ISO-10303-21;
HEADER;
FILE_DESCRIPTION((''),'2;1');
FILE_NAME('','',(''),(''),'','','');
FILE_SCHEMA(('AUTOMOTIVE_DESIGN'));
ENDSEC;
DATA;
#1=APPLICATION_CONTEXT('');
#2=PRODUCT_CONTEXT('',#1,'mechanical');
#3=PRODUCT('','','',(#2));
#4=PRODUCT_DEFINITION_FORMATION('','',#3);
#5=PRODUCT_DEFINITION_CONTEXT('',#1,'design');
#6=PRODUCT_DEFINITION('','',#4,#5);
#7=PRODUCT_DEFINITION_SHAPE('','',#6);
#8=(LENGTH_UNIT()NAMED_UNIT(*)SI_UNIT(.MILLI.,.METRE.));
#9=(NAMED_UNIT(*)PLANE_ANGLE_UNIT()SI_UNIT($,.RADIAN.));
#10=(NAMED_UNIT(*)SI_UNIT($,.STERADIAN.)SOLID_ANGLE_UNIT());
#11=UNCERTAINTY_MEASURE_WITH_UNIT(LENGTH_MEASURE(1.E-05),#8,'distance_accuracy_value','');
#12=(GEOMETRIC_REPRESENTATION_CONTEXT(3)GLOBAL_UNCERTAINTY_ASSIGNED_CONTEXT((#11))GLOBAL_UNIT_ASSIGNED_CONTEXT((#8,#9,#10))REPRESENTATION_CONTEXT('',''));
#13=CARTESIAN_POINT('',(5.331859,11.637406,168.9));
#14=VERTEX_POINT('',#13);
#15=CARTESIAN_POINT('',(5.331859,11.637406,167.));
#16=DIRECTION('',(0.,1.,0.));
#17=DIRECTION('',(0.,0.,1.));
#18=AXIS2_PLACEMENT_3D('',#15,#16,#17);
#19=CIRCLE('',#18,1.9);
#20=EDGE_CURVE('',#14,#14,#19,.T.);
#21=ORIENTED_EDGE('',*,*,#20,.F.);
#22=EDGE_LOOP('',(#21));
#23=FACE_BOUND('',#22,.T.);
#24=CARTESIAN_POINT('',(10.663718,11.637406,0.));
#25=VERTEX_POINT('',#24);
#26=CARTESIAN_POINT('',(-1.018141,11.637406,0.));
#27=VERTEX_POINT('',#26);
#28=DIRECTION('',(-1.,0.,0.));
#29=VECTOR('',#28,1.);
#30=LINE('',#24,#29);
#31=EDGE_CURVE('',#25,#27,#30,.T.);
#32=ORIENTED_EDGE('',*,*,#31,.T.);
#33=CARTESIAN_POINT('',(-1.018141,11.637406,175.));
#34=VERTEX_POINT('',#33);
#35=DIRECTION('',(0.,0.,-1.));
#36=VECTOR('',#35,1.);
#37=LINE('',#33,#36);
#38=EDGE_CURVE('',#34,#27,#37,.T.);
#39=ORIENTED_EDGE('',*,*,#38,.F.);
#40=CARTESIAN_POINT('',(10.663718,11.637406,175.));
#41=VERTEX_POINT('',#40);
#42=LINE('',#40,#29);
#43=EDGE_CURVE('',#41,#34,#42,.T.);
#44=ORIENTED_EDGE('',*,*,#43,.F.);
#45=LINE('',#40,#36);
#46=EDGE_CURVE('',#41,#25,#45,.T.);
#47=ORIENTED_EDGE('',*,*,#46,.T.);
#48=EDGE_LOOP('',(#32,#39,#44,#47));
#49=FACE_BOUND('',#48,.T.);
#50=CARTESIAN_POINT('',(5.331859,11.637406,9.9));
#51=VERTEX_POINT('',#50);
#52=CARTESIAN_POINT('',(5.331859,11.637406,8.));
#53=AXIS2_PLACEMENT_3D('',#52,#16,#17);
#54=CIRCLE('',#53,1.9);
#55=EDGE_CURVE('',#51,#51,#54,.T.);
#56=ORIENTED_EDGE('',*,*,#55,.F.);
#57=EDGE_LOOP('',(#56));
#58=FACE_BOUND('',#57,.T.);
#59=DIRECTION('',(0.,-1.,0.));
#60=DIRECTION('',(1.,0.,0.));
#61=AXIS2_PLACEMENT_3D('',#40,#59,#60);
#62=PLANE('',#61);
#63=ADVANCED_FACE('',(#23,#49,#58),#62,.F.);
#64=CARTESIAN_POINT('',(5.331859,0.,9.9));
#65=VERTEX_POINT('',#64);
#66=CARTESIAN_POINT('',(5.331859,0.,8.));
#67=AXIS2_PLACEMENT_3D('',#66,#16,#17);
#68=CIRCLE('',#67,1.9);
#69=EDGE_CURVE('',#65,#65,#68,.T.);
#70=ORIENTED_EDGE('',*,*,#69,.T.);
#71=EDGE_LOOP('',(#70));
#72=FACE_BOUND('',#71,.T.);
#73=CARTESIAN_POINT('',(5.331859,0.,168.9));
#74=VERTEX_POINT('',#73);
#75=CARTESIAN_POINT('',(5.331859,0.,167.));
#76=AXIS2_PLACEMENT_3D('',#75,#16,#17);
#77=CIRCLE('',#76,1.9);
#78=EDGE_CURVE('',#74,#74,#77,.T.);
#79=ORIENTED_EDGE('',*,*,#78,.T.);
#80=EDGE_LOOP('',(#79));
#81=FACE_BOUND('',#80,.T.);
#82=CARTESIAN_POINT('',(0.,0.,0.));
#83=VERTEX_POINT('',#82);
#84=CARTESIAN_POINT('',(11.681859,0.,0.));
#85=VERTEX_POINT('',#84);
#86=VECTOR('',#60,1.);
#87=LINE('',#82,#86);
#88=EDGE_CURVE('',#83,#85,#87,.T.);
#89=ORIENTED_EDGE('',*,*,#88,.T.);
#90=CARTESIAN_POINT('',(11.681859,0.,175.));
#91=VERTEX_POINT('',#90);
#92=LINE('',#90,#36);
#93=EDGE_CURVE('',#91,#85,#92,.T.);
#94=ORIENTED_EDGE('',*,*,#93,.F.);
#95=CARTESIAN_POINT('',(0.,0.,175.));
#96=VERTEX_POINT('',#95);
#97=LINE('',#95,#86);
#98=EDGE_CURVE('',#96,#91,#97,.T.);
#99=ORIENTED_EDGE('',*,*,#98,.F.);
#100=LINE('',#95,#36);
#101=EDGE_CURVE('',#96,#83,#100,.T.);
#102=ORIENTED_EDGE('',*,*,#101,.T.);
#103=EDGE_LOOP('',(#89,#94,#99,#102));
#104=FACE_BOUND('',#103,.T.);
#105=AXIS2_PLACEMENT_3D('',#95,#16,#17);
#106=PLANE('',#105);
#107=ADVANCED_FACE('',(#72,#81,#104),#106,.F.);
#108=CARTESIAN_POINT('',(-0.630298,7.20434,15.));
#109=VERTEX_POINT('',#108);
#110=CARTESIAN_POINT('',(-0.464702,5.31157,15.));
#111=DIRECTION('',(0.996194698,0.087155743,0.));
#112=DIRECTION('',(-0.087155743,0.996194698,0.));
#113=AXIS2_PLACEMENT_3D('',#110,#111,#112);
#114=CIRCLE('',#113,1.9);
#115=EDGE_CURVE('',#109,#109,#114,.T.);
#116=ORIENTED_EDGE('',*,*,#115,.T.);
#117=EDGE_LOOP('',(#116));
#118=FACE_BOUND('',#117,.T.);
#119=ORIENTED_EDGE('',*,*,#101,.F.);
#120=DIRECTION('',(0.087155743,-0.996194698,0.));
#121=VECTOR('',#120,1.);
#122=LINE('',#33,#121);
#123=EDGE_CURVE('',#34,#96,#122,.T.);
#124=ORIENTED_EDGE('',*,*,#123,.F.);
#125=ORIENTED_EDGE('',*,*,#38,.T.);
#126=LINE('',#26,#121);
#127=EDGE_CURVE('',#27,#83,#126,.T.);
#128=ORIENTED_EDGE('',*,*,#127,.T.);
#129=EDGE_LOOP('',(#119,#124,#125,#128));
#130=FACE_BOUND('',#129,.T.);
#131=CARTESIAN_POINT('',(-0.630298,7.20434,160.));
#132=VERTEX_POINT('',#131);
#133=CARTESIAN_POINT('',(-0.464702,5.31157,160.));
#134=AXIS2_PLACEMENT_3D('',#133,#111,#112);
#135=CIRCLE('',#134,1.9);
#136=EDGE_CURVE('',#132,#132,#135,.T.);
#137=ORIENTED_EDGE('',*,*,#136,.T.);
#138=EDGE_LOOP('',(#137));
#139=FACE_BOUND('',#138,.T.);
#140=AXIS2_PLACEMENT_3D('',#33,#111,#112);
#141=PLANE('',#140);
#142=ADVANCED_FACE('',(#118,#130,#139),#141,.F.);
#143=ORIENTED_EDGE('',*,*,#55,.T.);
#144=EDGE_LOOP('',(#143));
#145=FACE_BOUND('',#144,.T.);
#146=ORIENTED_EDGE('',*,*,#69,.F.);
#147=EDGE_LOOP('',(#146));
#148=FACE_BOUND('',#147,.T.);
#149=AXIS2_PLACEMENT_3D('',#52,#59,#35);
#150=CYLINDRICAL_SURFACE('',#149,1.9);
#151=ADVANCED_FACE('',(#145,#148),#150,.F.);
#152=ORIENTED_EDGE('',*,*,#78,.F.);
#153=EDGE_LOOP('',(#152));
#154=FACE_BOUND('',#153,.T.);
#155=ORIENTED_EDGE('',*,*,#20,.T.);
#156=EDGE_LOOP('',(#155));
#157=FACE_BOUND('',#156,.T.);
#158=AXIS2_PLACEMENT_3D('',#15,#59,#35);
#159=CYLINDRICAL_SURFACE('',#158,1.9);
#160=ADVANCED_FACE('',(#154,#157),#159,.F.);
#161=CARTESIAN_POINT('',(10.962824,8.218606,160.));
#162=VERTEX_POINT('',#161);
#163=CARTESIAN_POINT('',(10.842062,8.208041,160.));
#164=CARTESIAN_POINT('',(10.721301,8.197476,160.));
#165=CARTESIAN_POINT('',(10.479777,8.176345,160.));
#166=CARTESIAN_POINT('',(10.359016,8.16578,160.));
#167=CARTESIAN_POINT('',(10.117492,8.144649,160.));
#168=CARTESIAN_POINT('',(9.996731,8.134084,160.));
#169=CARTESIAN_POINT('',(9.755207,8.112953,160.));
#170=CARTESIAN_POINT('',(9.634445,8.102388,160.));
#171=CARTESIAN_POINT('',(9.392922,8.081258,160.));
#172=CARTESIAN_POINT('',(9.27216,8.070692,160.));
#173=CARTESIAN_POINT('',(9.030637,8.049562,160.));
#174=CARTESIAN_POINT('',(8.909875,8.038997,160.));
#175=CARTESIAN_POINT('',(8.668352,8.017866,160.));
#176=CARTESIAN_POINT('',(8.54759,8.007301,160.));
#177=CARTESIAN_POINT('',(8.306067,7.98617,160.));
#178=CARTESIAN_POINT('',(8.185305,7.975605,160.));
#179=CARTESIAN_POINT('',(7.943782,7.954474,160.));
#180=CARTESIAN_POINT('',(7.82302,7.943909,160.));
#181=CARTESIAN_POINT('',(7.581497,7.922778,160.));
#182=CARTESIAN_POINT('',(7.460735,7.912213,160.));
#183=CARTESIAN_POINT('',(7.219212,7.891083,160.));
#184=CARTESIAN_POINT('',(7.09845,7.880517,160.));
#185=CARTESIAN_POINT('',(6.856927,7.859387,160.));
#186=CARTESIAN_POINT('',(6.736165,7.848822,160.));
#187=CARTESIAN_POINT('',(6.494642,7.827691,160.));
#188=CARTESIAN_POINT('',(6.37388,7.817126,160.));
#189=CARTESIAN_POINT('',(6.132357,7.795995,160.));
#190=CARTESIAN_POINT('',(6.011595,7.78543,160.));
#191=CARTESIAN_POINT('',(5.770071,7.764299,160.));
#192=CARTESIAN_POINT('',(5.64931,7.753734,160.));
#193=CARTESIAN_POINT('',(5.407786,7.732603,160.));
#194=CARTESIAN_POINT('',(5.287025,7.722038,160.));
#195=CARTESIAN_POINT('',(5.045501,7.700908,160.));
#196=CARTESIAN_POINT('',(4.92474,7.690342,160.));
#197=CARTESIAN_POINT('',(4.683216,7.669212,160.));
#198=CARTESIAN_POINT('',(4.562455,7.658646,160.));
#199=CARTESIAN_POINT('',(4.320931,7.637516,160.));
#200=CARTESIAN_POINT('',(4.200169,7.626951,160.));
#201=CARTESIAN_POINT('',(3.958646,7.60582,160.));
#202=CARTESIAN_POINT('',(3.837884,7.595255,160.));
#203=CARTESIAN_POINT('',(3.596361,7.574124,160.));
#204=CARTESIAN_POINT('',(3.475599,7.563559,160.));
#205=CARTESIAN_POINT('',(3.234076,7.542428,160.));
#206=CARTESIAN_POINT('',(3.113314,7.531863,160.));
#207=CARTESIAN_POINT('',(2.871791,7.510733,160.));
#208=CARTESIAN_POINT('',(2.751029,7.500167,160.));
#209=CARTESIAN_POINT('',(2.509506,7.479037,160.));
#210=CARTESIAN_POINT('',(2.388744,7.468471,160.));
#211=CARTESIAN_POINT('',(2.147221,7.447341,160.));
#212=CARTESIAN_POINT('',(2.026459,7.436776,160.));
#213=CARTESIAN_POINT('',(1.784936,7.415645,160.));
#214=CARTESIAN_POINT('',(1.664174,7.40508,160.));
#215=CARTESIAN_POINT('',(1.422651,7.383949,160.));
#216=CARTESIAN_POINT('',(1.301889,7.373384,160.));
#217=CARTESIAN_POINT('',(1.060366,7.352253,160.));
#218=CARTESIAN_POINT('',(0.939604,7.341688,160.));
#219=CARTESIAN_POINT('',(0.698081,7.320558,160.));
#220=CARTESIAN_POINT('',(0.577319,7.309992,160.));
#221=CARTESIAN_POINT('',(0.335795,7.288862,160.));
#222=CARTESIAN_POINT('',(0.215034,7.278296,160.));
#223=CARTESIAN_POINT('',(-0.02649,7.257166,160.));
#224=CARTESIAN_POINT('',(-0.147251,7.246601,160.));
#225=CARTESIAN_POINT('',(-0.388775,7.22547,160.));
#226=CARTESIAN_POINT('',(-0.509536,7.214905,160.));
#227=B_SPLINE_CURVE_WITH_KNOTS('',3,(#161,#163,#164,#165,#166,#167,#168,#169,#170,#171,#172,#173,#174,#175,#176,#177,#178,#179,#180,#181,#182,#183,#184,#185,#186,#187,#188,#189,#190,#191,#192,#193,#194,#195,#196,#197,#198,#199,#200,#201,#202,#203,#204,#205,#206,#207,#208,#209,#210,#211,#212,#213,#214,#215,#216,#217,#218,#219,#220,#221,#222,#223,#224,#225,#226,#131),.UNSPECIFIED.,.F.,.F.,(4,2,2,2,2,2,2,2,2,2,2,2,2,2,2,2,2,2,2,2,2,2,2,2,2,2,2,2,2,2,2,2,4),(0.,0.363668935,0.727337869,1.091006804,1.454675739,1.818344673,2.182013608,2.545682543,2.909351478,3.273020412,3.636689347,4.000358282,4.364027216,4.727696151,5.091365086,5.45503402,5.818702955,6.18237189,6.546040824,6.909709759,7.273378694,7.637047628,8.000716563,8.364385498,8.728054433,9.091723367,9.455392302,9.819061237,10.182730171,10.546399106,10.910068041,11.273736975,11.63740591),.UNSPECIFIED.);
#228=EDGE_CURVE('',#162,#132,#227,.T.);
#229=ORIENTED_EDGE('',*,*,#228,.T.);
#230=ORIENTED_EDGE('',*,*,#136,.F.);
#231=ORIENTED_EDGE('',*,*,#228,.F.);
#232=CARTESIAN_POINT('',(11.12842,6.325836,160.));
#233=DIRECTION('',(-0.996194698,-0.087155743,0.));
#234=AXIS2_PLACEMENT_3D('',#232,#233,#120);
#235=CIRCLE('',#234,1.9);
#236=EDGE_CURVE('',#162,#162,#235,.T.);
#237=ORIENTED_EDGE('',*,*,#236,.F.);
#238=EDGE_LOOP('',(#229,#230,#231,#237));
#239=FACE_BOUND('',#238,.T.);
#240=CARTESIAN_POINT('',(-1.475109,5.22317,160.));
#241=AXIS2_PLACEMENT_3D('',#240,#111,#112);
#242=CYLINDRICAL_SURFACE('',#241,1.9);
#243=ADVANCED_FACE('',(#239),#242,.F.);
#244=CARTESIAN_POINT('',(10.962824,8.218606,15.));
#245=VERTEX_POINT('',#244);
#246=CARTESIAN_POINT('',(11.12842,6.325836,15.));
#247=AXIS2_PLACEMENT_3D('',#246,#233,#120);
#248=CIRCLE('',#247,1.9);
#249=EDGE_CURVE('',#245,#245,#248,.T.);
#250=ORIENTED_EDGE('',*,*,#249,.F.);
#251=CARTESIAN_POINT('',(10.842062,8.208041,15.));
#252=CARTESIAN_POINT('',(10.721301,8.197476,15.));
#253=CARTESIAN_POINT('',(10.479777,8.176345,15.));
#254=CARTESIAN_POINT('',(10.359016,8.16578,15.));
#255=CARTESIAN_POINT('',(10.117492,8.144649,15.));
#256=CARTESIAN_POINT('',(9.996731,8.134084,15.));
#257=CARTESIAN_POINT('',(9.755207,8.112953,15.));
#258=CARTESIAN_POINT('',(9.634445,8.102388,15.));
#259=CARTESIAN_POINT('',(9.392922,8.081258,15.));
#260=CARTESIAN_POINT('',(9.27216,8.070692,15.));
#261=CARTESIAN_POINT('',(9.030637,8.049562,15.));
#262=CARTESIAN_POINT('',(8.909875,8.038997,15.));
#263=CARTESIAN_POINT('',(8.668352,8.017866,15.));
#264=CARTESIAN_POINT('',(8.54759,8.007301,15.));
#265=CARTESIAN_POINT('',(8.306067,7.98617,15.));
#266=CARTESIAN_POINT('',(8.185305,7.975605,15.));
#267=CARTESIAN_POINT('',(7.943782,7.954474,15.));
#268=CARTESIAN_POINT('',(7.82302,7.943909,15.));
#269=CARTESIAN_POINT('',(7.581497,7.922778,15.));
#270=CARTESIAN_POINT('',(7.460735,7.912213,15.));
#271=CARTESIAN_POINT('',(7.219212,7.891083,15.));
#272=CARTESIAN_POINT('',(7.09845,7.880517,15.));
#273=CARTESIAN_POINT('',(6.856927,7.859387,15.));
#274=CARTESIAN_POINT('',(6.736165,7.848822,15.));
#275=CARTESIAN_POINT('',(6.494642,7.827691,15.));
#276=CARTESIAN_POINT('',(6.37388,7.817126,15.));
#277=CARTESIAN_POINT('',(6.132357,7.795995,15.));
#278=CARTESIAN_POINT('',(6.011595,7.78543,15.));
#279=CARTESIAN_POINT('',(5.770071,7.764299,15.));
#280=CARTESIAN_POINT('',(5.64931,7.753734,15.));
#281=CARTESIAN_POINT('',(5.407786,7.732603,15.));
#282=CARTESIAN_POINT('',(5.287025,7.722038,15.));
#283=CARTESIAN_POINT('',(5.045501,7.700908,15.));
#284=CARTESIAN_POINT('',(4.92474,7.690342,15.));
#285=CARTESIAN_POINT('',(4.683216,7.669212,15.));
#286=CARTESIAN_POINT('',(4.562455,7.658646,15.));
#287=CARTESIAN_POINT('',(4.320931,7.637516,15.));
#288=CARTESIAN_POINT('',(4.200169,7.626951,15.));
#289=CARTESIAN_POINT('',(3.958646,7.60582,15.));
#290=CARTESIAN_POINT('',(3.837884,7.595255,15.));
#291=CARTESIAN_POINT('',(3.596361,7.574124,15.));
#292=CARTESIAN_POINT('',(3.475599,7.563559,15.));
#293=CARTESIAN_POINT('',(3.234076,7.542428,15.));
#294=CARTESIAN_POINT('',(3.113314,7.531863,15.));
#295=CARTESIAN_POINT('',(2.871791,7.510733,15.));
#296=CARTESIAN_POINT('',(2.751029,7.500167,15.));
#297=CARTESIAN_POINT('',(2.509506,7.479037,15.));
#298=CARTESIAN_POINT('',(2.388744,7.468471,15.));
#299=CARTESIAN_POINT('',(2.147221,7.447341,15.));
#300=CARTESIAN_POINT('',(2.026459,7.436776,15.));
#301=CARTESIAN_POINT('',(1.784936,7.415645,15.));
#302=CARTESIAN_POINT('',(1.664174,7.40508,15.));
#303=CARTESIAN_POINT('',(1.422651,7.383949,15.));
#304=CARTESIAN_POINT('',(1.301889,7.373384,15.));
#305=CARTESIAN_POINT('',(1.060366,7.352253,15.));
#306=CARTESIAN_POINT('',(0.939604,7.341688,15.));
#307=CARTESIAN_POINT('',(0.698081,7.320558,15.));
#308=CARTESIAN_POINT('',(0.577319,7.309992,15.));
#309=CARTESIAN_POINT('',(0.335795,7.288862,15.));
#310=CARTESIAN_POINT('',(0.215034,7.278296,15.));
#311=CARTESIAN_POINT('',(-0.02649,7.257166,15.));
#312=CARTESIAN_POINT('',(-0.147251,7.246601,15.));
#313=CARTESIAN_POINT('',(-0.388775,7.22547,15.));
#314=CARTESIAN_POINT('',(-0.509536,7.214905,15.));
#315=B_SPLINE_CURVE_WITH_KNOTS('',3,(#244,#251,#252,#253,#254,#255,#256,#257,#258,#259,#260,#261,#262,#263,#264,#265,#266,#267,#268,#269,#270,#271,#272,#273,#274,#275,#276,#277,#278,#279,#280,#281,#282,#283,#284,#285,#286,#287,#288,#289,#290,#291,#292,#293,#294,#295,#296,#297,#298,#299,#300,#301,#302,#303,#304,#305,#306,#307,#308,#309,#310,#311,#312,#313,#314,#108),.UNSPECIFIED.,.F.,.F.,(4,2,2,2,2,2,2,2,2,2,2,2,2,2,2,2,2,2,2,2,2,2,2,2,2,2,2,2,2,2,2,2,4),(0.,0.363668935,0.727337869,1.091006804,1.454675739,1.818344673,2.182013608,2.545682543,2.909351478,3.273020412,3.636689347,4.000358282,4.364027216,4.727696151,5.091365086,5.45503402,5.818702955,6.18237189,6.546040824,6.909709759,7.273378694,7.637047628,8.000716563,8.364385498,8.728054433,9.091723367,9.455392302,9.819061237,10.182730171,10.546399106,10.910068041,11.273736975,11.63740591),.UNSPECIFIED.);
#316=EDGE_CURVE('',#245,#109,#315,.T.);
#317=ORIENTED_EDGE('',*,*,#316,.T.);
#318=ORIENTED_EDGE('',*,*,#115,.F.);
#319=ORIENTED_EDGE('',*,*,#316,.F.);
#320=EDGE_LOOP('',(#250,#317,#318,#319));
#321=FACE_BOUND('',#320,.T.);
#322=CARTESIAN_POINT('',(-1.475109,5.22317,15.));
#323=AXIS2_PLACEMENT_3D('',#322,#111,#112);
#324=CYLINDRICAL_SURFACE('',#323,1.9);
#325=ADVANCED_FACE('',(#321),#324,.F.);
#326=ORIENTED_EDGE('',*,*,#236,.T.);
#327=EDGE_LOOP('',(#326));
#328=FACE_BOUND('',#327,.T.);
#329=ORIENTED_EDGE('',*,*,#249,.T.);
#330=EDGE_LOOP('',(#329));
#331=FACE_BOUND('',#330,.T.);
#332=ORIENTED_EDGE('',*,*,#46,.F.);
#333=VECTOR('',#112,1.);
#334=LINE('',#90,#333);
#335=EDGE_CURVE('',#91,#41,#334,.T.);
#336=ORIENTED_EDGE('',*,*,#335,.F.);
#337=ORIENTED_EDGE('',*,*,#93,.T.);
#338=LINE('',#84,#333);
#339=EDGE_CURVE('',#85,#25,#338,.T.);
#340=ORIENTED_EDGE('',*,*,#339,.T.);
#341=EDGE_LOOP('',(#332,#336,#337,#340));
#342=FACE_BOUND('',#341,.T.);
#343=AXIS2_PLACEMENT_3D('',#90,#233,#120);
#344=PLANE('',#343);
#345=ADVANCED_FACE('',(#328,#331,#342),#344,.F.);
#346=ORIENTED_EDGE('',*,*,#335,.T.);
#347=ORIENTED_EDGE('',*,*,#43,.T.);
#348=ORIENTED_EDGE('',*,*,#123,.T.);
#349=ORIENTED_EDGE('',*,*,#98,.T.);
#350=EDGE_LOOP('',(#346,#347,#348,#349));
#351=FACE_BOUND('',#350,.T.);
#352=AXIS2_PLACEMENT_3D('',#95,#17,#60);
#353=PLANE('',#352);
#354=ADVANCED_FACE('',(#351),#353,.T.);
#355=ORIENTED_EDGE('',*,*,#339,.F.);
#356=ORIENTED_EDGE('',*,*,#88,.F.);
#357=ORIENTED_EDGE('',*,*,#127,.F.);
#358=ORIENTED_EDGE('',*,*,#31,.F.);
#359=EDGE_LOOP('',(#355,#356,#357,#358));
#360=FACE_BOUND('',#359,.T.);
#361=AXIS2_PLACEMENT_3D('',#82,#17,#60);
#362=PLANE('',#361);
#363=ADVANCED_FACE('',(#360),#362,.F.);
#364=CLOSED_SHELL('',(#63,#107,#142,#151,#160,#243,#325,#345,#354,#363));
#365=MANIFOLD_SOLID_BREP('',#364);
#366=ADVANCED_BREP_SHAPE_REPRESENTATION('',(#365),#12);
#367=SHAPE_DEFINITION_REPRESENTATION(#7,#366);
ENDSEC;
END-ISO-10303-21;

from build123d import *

# Parameters (mm, degrees)
BOSS_EXTRUDE1_DEPTH     = 175
SKETCH2_R               = 1.9
CUT_EXTRUDE1_DEPTH      = 176.775126352
CUT_EXTRUDE2_DEPTH      = 176.775126352
CUT_EXTRUDE2_DEPTH_BACK = 176.775126352
SKETCH3_R               = 1.9


with BuildPart() as part:
    # Sketch1 → Boss-Extrude1 (new body)
    with BuildSketch(Plane.XY):
        Polygon((0, 0), (11.68185891, 0), (10.66371782, 11.63740591), (-1.01814109, 11.63740591), align=None)
    extrude(amount=BOSS_EXTRUDE1_DEPTH)

    # Sketch2 → Cut-Extrude1 (cut, through all)
    with BuildSketch(Plane(origin=(0, 0, 0), x_dir=(1, 0, 0), z_dir=(0, 1, 0))):
        with Locations(Location((5.33185891, -8, 0), (0, 0, 270))):
            Circle(SKETCH2_R)
        with Locations(Location((5.33185891, -167, 0), (0, 0, 270))):
            Circle(SKETCH2_R)
    extrude(amount=CUT_EXTRUDE1_DEPTH, mode=Mode.SUBTRACT)

    # Sketch3 → Cut-Extrude2 (cut, two sides: drawn at the far end of the back side and taken through both)
    with BuildSketch(Plane(origin=(11.593122067, 1.014266756, 0), x_dir=(0, 0, -1), z_dir=(0.9961946980917453, 0.08715574274766183, 0)).offset(-CUT_EXTRUDE2_DEPTH_BACK)):
        with Locations(Location((-160, 5.33185891, 0), (0, 0, 90))):
            Circle(SKETCH3_R)
        with Locations(Location((-15, 5.33185891, 0), (0, 0, 90))):
            Circle(SKETCH3_R)
    extrude(amount=CUT_EXTRUDE2_DEPTH + CUT_EXTRUDE2_DEPTH_BACK, mode=Mode.SUBTRACT)


solid = part.part
